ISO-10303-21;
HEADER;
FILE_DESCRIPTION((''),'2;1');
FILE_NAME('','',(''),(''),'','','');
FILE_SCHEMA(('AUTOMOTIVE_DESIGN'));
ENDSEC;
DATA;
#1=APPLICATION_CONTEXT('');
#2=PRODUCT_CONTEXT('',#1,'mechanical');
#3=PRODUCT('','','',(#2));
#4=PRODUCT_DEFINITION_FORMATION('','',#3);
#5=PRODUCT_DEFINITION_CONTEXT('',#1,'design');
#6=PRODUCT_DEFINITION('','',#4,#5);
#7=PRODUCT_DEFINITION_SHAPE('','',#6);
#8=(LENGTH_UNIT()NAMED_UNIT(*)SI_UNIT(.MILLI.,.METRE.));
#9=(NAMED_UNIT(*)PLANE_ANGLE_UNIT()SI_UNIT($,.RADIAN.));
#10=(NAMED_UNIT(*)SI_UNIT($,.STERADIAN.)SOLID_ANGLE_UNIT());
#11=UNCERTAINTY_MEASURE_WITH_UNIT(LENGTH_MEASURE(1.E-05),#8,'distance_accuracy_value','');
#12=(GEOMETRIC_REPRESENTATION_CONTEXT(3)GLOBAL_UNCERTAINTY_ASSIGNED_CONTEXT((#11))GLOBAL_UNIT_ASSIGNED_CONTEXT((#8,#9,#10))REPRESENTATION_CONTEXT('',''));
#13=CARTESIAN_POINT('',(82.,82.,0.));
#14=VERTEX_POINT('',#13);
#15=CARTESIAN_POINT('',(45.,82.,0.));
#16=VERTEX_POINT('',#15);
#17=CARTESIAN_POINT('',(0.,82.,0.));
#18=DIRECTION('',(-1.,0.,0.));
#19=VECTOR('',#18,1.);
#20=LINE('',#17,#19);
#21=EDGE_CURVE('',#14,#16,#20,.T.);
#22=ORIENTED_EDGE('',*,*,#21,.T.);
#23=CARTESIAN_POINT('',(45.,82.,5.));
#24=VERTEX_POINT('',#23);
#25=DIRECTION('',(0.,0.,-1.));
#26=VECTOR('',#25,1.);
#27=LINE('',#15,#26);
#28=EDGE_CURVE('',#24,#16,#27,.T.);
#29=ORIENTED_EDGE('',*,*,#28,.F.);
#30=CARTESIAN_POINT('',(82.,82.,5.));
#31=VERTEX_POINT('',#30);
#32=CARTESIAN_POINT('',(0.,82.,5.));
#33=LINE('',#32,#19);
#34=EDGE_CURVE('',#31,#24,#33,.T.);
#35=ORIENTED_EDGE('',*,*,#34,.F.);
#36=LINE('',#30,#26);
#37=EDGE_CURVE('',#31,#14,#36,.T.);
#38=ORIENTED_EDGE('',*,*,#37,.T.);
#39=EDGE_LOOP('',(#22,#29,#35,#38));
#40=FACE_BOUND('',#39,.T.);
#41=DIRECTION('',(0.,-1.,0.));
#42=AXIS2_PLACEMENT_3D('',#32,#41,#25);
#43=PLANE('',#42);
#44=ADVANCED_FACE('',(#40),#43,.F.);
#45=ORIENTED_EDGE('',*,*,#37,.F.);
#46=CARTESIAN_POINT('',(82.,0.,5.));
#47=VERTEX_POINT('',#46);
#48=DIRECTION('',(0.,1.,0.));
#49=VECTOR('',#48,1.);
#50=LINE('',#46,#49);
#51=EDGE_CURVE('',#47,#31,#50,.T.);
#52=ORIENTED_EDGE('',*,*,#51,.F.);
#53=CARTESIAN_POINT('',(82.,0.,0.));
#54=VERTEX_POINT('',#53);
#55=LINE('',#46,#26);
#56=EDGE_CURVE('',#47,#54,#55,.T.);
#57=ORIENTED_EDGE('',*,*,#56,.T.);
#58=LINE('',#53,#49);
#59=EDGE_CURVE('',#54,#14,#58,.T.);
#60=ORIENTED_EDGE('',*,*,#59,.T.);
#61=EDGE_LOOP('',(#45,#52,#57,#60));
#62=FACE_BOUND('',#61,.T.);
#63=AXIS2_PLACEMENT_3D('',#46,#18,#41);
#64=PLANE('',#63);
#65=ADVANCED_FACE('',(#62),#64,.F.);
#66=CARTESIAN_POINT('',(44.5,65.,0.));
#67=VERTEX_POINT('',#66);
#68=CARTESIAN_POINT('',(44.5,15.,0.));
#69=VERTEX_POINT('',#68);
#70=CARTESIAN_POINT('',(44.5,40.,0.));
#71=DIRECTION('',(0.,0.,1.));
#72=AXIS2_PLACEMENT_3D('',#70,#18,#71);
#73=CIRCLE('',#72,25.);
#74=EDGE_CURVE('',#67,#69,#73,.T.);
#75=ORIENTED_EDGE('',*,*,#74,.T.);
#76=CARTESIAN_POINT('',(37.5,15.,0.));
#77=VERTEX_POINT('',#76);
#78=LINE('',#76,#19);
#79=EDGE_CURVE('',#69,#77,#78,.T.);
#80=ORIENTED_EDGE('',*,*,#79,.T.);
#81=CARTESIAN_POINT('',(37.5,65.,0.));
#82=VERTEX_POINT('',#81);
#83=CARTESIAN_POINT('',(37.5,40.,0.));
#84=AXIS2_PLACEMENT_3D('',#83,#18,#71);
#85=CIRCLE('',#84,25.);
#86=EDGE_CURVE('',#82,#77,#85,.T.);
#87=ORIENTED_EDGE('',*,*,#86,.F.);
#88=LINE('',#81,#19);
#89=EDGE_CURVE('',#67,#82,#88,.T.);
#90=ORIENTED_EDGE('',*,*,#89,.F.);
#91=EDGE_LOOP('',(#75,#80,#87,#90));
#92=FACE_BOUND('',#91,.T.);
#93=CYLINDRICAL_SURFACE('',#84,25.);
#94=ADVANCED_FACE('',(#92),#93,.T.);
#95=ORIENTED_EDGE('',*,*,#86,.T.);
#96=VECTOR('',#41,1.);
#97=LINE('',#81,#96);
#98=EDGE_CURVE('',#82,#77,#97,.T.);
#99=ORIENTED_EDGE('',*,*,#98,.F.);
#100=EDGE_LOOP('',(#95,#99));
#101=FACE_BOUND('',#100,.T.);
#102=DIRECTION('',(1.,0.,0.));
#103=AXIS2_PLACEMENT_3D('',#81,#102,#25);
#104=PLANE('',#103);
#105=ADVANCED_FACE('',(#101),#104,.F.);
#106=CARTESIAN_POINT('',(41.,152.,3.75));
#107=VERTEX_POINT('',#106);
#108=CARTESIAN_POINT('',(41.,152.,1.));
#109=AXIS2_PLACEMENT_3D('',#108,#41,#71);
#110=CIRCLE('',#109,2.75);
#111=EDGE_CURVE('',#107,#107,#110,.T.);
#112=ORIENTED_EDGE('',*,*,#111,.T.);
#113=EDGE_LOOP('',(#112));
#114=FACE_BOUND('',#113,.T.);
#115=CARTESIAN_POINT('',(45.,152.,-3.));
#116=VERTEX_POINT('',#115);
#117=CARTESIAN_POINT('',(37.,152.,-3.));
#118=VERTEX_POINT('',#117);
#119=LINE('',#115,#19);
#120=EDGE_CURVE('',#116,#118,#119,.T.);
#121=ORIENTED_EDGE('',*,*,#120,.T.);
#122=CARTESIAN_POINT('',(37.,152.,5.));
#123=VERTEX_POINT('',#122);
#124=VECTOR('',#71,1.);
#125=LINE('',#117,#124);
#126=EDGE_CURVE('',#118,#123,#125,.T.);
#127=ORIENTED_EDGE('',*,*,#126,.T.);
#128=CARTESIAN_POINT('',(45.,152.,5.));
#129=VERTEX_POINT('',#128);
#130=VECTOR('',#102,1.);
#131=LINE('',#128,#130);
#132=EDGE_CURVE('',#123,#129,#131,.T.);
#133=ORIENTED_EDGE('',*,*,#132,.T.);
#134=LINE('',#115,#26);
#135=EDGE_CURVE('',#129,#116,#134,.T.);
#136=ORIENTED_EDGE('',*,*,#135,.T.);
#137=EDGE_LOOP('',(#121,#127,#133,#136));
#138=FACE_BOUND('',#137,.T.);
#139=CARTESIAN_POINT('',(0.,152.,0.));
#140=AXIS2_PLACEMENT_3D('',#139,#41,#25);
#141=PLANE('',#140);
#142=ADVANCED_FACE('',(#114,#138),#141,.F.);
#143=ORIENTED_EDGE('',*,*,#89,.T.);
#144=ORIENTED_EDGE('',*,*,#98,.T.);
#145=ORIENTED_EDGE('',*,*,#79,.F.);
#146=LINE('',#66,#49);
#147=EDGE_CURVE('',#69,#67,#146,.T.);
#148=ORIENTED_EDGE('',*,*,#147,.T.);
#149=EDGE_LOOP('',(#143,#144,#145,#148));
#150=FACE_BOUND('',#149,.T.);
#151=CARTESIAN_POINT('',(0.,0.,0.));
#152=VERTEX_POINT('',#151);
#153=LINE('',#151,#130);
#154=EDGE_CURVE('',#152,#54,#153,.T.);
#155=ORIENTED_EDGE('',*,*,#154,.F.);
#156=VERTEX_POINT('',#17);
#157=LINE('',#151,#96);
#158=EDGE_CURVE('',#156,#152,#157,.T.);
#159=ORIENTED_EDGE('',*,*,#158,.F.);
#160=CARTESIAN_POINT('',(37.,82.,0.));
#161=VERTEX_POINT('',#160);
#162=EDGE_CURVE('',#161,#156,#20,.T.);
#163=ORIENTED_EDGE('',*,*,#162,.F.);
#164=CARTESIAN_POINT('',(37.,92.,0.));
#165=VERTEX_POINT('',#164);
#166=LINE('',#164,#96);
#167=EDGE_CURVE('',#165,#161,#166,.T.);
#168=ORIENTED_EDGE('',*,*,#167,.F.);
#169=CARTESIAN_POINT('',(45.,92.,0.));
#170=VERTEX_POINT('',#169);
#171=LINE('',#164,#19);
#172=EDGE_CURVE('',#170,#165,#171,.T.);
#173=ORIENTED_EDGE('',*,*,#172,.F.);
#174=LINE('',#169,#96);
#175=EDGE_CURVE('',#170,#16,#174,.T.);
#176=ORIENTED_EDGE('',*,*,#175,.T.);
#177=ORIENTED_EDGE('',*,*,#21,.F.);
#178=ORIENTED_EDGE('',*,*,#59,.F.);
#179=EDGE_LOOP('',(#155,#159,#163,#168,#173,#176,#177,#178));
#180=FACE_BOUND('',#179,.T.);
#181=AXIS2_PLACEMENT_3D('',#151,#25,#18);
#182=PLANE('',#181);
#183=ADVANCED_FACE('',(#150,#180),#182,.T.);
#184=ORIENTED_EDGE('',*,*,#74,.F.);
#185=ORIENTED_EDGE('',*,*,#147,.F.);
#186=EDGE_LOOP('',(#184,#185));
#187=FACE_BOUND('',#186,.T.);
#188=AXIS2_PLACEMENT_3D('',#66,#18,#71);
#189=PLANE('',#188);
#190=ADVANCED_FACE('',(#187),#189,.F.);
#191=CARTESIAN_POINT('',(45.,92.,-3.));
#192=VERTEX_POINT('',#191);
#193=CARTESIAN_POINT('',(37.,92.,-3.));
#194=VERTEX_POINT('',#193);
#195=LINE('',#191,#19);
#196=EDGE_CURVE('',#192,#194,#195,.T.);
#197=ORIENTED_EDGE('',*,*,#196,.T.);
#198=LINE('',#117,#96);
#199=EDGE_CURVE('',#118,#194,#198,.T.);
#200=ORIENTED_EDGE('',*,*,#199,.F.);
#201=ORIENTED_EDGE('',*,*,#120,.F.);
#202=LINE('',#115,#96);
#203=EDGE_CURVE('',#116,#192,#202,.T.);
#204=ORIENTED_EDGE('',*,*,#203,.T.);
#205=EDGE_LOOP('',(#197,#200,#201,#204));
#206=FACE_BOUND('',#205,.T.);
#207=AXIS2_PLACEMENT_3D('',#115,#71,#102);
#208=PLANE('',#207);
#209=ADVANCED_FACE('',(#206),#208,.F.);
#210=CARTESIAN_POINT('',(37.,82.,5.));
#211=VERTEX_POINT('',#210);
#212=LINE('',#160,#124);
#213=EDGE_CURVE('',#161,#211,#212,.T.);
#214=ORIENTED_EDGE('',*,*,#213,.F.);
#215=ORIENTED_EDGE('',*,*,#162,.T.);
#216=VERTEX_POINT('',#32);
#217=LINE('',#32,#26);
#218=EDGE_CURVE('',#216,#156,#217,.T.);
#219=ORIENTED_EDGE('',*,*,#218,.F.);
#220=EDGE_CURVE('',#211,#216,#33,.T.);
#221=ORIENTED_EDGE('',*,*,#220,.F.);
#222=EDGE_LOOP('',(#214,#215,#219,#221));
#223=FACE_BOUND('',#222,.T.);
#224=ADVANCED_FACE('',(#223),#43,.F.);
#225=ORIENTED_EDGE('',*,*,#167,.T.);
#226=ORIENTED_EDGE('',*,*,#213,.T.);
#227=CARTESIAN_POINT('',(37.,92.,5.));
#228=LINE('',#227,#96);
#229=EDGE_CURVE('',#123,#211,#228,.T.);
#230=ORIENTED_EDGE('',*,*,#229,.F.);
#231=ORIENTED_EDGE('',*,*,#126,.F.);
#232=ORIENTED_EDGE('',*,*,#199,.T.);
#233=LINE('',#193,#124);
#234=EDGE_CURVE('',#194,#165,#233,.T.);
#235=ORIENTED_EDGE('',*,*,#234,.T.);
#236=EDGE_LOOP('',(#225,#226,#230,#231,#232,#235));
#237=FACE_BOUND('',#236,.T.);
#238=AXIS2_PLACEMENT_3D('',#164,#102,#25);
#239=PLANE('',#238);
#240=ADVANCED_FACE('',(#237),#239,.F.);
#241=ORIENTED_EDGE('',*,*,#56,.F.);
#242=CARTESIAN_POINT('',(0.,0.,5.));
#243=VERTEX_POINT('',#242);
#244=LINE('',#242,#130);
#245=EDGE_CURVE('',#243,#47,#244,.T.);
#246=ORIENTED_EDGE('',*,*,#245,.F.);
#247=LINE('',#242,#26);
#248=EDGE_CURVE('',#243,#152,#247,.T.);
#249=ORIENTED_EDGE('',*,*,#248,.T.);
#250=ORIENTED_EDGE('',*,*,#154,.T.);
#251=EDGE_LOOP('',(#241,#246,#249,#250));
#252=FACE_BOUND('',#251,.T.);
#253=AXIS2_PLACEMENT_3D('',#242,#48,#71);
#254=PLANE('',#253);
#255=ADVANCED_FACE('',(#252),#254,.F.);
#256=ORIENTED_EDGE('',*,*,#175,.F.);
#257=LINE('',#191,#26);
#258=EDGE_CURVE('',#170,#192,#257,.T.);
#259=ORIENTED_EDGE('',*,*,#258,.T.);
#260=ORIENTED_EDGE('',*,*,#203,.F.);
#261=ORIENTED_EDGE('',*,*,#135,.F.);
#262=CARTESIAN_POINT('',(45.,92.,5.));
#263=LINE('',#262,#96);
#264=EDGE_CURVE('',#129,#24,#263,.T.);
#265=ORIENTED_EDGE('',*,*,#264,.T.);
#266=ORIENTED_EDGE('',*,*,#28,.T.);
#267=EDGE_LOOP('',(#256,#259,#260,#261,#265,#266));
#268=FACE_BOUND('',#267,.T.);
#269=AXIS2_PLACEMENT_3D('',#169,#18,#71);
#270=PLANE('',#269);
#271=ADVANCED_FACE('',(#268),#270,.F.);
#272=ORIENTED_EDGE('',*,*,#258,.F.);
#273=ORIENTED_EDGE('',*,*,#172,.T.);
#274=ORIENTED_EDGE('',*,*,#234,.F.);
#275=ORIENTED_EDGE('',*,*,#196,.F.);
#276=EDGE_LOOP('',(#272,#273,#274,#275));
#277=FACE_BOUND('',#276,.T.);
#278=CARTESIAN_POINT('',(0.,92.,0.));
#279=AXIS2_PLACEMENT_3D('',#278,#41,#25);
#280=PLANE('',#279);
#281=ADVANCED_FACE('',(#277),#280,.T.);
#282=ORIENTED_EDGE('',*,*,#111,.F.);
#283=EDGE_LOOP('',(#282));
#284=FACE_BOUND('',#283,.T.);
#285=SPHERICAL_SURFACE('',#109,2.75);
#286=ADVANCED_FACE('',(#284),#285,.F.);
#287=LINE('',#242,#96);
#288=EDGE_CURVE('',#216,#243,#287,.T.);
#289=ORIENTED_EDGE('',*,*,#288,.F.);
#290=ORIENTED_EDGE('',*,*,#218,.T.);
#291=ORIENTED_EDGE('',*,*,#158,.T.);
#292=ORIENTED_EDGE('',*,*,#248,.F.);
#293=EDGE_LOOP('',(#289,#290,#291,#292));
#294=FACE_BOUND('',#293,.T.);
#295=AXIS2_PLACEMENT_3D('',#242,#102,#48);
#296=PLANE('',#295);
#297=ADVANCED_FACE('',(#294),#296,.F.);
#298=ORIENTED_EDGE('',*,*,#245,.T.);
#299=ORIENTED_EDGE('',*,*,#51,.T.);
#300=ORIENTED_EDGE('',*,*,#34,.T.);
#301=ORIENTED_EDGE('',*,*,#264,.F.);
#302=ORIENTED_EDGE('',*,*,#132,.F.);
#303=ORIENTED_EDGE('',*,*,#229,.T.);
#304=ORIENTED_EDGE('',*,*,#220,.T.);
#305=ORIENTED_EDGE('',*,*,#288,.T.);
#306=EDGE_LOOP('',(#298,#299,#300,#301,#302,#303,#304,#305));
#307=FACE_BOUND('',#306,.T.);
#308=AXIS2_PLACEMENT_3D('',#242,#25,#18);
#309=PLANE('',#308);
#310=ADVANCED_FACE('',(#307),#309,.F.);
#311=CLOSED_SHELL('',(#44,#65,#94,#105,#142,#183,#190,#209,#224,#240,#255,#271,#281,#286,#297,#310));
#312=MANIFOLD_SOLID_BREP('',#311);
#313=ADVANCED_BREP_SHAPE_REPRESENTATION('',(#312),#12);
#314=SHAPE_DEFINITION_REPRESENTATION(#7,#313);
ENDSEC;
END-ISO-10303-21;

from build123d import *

# Parameters (mm, degrees)
SKETCH1_W           = 82
SKETCH1_H           = 82
BOSS_EXTRUDE1_DEPTH = 5
SKETCH2_W           = 8
SKETCH2_H           = 5
BOSS_EXTRUDE2_DEPTH = 10
SKETCH4_W           = 8
SKETCH4_H           = 8
BOSS_EXTRUDE4_DEPTH = 60
CUT_REVOLVE1_ANGLE  = 180
SKETCH6_W           = 7
SKETCH6_H           = 25
REVOLVE1_ANGLE      = 180


with BuildPart() as part:
    # Sketch1 → Boss-Extrude1 (new body)
    with BuildSketch(Plane.XY):
        with Locations((41, 41)):
            Rectangle(SKETCH1_W, SKETCH1_H)
    extrude(amount=BOSS_EXTRUDE1_DEPTH)

    # Sketch2 → Boss-Extrude2 (add)
    with BuildSketch(Plane(origin=(0, 82, 0), x_dir=(1, 0, 0), z_dir=(0, 1, 0))):
        with Locations((41, -2.5)):
            Rectangle(SKETCH2_W, SKETCH2_H)
    extrude(amount=BOSS_EXTRUDE2_DEPTH)

    # Sketch4 → Boss-Extrude4 (add)
    with BuildSketch(Plane(origin=(0, 92, 0), x_dir=(1, 0, 0), z_dir=(0, 1, 0))):
        with Locations((41, -1)):
            Rectangle(SKETCH4_W, SKETCH4_H)
    extrude(amount=BOSS_EXTRUDE4_DEPTH)

    # Sketch5 → Cut-Revolve1 (revolve, cut)
    with BuildSketch(Plane(origin=(0, 152, 0), x_dir=(1, 0, 0), z_dir=(0, 1, 0))):
        with BuildLine():
            Line((38.25, -1), (43.75, -1))
            ThreePointArc((43.75, -1), (41, -3.75), (38.25, -1))
        make_face()
    revolve(axis=Axis((38.25, 152, 1), (1, 0, 0)), revolution_arc=CUT_REVOLVE1_ANGLE, mode=Mode.SUBTRACT)

    # Sketch6 → Revolve1 (revolve)
    with BuildSketch(Plane(origin=(0, 0, 0), x_dir=(-1, 0, 0), z_dir=(0, 0, -1))):
        with Locations((-41, 27.5)):
            Rectangle(SKETCH6_W, SKETCH6_H)
    revolve(axis=Axis((37.5, 40, 0), (1, 0, 0)), revolution_arc=REVOLVE1_ANGLE)


solid = part.part
